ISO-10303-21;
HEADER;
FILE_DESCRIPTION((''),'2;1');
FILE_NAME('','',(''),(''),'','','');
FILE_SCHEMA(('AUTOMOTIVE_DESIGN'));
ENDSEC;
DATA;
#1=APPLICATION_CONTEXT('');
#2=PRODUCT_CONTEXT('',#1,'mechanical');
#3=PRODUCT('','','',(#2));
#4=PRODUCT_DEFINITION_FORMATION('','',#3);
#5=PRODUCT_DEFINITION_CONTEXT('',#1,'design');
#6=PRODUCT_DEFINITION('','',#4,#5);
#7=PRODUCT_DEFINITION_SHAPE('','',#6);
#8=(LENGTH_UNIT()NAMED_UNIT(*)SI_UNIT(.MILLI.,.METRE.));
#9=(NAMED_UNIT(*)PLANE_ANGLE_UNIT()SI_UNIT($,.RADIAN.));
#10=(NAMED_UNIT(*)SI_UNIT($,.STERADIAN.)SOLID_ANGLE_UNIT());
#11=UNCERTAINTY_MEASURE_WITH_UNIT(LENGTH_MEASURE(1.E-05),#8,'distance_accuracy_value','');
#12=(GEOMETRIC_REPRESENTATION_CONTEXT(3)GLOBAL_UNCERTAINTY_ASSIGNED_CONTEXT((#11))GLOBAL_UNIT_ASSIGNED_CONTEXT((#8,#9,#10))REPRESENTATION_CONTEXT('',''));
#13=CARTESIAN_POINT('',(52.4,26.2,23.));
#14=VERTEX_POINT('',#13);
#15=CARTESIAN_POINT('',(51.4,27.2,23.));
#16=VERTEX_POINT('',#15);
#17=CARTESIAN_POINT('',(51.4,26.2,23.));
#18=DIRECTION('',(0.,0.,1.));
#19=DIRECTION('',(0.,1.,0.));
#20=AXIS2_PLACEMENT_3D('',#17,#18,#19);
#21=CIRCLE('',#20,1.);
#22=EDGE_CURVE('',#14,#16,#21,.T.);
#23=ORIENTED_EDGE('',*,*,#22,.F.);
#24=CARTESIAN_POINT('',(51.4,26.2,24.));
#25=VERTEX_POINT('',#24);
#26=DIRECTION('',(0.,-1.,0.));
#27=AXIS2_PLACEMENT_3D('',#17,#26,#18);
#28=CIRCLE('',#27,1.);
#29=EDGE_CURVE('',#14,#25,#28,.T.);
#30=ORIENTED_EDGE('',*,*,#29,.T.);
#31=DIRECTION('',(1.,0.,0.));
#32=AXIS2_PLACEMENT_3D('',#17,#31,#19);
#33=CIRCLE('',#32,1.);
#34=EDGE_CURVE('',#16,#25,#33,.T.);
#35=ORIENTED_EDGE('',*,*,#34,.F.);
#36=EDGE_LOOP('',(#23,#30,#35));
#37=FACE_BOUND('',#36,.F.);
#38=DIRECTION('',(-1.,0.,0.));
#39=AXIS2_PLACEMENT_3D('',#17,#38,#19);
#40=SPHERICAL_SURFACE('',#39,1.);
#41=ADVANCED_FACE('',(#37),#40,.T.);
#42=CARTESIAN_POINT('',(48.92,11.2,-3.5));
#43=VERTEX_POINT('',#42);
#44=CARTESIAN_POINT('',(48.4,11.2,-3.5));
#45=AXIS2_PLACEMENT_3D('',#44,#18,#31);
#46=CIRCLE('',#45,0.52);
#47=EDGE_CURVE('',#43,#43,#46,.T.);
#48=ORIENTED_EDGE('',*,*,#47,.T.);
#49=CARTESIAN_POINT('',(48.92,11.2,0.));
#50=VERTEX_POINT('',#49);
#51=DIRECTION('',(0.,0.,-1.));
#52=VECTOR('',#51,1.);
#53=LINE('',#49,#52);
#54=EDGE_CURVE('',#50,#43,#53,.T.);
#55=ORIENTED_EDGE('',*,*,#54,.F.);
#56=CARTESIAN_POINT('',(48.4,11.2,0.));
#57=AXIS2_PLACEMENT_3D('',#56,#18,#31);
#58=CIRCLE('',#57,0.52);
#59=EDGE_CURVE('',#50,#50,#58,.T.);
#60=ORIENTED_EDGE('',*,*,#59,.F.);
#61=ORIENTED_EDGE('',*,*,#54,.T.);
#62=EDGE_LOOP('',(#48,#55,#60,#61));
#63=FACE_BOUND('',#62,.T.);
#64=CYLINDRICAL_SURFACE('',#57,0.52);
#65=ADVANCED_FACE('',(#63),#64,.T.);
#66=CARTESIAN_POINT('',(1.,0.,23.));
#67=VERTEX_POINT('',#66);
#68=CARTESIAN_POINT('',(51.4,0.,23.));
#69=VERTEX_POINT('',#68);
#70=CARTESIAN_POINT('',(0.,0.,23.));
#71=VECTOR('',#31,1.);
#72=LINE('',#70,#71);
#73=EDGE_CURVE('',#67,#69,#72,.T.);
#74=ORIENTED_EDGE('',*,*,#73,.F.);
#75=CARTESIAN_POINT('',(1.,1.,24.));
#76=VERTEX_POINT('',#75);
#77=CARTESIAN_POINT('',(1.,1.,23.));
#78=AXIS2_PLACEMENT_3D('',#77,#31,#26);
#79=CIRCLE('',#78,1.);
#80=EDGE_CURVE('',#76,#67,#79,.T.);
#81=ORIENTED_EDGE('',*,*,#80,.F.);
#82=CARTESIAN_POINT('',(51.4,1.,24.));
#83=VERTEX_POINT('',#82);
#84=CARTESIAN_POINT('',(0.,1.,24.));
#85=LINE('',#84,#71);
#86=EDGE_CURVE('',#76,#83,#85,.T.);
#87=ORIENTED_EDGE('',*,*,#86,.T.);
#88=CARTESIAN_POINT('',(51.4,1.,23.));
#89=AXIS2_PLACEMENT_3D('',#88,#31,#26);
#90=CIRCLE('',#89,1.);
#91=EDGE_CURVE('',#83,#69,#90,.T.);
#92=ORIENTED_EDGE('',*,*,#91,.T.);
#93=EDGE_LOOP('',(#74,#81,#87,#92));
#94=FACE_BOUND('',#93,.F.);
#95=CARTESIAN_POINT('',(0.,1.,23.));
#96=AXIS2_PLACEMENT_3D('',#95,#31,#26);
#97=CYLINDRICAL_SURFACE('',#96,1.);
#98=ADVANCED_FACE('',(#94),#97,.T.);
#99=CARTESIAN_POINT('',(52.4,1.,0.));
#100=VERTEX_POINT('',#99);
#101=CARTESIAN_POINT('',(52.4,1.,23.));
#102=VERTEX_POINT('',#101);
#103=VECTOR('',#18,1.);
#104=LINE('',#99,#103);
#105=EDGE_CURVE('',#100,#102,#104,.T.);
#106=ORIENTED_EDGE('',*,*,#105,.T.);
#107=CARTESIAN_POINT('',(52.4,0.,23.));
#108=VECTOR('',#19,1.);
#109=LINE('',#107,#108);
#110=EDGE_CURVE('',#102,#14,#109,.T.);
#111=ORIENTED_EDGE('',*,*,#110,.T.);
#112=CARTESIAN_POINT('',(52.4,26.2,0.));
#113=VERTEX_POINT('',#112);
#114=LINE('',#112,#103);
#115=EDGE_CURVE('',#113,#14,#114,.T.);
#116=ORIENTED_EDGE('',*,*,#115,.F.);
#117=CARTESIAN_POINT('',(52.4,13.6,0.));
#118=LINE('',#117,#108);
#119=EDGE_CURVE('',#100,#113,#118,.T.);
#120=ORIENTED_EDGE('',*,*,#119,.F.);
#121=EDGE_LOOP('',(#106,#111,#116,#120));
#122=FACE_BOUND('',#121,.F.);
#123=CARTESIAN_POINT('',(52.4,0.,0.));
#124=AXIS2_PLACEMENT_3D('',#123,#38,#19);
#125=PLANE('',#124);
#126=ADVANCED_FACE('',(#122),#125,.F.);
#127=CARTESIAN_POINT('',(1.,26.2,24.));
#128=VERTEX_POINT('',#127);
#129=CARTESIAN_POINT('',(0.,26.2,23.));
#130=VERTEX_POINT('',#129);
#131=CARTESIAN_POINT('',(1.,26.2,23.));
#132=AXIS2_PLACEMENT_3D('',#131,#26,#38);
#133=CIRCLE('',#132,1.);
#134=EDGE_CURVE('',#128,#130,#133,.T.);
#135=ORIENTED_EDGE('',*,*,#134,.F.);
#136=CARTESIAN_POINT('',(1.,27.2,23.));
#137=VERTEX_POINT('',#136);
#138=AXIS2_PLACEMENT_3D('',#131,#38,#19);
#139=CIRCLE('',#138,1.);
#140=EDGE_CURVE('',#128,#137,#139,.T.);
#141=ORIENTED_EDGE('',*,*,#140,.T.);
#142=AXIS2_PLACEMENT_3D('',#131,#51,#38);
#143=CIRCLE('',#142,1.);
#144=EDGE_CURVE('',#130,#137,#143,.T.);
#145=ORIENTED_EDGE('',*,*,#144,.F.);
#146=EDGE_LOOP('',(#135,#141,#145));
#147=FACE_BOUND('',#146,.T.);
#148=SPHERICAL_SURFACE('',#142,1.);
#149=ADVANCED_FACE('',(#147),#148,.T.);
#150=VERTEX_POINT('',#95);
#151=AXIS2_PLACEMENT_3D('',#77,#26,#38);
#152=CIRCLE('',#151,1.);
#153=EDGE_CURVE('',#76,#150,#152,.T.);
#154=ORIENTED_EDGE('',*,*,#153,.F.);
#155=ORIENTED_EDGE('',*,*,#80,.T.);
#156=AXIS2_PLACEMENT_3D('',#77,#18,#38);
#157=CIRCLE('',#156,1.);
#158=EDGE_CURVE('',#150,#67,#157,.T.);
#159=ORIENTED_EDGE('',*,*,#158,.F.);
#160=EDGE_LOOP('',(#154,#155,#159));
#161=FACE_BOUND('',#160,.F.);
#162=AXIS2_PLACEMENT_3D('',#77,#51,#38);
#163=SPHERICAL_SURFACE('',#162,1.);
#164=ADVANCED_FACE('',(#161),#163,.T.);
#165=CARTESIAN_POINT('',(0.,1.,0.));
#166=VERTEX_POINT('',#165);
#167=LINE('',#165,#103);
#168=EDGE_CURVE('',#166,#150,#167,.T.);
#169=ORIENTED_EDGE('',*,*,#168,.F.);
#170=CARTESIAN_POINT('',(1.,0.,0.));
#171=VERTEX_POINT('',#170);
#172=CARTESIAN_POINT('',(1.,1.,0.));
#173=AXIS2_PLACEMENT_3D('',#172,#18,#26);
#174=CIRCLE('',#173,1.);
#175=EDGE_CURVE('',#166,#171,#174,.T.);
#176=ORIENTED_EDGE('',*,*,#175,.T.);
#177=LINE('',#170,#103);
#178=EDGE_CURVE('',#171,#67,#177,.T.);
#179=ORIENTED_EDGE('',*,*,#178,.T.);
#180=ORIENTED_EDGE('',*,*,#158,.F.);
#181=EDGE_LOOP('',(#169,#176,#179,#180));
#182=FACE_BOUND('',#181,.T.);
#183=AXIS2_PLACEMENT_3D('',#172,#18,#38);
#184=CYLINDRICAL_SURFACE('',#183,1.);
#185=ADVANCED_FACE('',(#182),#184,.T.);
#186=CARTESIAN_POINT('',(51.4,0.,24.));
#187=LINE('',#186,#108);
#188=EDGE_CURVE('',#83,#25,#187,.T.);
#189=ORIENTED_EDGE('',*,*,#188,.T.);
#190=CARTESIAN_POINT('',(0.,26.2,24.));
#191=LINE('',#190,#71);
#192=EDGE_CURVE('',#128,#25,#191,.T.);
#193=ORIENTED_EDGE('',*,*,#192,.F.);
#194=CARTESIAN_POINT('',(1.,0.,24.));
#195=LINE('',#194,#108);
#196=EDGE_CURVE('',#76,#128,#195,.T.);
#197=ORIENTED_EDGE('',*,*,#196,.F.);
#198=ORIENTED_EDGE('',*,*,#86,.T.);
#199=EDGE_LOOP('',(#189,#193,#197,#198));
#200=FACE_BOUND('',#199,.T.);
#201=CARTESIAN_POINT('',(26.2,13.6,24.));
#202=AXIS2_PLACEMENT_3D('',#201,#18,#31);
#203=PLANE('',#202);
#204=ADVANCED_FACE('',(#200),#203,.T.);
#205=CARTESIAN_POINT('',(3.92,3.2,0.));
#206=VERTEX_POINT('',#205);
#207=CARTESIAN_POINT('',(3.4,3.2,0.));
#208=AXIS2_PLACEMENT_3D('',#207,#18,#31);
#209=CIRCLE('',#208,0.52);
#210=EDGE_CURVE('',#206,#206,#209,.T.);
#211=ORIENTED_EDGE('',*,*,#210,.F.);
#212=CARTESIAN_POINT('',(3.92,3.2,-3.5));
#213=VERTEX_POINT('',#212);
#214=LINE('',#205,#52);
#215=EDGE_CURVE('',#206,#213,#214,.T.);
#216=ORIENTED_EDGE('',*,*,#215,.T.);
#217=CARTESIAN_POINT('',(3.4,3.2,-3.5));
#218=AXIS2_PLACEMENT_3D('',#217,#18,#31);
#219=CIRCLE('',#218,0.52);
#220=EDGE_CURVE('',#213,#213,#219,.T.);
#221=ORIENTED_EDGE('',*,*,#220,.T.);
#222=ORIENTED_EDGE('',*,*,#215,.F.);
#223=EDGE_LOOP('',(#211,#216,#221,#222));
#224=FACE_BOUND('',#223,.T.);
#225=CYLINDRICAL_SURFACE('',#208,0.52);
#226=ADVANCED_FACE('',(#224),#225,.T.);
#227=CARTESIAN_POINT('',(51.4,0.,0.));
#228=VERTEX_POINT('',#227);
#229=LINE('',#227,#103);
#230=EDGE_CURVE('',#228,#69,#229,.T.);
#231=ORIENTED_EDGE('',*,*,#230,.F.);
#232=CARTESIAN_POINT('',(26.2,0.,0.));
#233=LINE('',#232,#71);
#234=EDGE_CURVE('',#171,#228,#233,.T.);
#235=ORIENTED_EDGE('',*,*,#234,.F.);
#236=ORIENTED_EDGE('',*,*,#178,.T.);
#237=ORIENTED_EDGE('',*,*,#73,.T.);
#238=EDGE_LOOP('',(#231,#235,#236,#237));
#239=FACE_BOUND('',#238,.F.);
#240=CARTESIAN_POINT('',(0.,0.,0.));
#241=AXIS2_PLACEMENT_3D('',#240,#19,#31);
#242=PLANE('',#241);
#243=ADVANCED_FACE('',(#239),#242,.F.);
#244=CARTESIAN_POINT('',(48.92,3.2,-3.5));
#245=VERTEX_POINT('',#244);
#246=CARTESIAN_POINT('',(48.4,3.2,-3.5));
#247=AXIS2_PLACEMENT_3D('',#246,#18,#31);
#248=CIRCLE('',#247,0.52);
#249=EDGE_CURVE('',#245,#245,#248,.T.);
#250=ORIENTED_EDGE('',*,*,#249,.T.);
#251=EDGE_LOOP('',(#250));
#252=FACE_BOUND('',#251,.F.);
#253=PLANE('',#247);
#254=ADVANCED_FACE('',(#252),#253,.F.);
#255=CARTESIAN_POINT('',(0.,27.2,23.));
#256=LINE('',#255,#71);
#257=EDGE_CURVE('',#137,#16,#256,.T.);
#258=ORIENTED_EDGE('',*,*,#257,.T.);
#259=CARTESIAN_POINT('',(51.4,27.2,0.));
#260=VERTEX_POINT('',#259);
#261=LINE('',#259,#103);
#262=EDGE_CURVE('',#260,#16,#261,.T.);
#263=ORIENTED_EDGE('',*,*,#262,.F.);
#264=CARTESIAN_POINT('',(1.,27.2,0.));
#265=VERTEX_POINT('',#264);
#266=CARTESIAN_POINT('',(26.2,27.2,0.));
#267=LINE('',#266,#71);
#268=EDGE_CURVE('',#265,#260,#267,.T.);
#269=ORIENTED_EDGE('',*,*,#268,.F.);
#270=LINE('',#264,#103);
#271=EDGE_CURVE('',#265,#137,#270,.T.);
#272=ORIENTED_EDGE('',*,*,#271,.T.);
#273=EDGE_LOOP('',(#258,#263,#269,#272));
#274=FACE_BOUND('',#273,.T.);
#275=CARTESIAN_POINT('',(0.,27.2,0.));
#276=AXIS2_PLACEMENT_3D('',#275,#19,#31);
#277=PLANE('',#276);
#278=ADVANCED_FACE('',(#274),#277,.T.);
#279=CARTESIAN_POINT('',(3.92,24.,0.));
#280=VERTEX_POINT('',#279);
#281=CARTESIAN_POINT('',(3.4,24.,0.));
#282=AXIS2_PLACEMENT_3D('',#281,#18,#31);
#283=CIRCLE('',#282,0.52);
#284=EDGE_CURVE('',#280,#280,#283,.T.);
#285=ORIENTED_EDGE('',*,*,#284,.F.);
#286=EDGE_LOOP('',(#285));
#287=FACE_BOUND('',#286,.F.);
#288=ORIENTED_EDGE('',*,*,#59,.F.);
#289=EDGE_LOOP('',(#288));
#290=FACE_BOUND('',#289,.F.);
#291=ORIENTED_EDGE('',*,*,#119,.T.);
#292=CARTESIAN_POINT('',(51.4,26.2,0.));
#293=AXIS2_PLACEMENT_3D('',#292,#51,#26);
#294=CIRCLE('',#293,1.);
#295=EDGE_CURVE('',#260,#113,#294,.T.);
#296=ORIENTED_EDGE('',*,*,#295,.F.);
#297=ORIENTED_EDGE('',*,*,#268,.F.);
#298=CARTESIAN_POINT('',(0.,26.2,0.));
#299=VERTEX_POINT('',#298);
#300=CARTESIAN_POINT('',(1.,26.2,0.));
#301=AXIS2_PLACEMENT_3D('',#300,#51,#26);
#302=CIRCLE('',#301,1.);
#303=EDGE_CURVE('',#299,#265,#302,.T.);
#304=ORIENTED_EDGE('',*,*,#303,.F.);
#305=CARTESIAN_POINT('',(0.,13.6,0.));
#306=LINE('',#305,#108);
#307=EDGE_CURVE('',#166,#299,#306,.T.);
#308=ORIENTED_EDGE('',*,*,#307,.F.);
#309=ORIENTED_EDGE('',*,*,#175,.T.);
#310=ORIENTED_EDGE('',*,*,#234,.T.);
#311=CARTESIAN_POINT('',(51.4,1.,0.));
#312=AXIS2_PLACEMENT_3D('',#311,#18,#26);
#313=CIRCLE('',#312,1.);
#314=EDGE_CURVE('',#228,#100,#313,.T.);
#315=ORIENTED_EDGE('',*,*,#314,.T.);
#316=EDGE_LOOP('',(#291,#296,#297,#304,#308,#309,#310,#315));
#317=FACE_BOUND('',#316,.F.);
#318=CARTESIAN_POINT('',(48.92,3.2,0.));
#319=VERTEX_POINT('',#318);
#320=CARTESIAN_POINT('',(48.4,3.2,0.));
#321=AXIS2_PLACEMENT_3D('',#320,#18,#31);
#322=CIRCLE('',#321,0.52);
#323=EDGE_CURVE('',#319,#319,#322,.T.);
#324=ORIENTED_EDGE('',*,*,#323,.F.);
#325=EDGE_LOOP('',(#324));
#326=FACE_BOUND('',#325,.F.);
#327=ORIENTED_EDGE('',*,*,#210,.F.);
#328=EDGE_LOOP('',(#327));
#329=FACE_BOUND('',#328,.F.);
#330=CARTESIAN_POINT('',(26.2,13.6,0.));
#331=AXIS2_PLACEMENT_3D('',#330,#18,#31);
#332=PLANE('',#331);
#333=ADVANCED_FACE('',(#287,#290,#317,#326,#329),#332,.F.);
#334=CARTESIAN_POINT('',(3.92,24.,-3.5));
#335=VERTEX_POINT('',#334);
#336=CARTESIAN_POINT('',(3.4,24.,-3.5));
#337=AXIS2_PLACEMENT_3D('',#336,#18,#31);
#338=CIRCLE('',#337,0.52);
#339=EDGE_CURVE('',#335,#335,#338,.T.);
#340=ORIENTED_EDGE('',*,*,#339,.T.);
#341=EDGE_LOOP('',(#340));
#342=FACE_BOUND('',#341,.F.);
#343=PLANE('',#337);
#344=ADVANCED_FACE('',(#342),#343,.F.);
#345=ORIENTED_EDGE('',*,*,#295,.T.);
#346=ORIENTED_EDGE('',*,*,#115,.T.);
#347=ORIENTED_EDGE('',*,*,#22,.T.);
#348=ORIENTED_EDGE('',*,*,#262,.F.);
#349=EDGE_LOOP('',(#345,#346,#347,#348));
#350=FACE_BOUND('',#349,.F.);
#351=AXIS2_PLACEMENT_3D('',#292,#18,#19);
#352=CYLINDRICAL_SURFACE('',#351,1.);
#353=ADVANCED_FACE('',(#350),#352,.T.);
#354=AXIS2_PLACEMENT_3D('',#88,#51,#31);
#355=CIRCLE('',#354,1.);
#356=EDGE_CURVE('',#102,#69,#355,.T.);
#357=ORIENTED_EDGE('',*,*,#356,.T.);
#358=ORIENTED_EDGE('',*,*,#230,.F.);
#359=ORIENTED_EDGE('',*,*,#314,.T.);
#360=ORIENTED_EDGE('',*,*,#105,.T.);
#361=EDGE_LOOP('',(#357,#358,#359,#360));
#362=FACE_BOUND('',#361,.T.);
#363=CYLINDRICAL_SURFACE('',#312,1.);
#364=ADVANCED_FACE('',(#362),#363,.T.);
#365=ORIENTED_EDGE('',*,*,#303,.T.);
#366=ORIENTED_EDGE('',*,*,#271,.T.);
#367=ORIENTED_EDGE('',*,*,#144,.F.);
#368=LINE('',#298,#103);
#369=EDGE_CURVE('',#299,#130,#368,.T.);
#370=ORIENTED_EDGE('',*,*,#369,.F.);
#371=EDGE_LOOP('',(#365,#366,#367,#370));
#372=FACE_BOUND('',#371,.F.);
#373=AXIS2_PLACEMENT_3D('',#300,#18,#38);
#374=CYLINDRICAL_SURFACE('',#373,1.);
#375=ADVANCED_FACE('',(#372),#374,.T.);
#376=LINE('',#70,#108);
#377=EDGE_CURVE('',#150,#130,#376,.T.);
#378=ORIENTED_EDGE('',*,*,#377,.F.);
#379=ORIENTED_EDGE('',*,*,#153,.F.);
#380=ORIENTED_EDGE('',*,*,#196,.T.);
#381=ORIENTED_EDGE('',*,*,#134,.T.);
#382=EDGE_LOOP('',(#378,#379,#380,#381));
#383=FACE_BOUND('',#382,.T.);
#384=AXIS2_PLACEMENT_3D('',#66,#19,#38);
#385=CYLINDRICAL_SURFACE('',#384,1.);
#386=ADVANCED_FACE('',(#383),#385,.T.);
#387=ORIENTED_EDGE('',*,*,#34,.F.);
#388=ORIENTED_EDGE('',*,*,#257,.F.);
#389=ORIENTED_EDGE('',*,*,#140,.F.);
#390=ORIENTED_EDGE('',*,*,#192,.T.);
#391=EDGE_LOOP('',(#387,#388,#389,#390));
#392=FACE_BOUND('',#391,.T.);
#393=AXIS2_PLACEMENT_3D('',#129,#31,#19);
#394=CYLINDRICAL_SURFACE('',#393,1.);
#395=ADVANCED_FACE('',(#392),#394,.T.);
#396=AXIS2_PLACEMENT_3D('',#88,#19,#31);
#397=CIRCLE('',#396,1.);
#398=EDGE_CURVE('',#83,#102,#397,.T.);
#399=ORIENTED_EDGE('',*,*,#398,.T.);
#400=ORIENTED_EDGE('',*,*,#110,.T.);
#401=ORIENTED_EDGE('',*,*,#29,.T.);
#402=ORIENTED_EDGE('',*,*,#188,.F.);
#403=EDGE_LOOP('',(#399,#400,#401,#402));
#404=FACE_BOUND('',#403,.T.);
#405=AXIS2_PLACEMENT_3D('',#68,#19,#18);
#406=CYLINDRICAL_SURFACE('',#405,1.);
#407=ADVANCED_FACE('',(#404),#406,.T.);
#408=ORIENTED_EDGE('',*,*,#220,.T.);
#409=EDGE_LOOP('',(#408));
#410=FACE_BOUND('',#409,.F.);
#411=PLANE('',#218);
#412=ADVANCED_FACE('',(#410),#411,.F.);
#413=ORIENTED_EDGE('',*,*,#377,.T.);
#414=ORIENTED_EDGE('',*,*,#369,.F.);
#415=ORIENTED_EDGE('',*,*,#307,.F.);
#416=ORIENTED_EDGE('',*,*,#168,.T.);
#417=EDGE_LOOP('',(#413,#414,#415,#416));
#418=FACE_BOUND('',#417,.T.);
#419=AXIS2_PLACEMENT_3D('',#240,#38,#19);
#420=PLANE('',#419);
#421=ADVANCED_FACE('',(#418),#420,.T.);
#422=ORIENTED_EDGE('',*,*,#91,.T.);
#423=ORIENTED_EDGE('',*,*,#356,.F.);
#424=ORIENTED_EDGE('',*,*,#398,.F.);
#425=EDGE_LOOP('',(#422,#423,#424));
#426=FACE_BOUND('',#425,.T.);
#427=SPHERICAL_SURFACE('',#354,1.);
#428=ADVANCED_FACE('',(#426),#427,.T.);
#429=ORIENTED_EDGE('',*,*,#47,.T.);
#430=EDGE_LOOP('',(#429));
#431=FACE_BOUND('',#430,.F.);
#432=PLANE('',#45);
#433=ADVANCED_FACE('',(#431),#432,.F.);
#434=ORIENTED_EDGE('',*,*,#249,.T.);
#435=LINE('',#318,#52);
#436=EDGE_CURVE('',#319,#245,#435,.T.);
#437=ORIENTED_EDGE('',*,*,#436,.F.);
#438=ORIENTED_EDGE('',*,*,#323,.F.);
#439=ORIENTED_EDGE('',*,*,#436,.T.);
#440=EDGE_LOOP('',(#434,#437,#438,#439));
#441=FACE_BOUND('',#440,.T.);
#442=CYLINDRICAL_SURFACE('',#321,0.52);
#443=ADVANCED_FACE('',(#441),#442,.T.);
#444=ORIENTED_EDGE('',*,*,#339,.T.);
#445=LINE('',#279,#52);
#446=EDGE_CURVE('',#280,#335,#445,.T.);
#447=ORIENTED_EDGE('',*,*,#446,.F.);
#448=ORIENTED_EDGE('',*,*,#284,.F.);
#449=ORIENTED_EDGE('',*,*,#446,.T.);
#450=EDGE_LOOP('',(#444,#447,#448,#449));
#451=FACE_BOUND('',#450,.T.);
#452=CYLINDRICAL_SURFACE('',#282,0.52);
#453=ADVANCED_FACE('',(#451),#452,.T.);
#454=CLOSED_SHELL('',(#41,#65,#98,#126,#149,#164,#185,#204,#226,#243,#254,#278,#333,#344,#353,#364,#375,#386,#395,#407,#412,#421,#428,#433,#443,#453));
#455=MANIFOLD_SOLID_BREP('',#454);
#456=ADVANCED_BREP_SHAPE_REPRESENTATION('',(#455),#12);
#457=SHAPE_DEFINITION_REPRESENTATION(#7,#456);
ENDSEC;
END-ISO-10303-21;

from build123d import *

# Parameters (mm, degrees)
F0_W     = 52.4
F0_H     = 27.2
F1_DEPTH = 24
F2_R     = 0.52
F3_DEPTH = 3.5
F4_R     = 1


with BuildPart() as f1:
    # F0 (on Top) → F1 (new body)
    with BuildSketch(Plane.XY):
        with Locations((26.2, 13.6)):
            Rectangle(F0_W, F0_H)
    extrude(amount=F1_DEPTH)

    # F2 (on Top) → F3 (join)
    with BuildSketch(Plane.XY):
        with Locations((3.4, 3.2)):
            Circle(F2_R)
        with Locations((3.4, 24)):
            Circle(F2_R)
        with Locations((48.4, 3.2)):
            Circle(F2_R)
        with Locations((48.4, 11.2)):
            Circle(F2_R)
    extrude(amount=-F3_DEPTH)

    # F4
    f4_edges = [f1.edges().sort_by_distance(p)[0] for p in [
        (0, 0, 12),
        (52.4, 0, 12),
        (0, 27.2, 12),
        (0, 13.6, 24),
        (26.2, 27.2, 24),
        (52.4, 27.2, 12),
        (52.4, 13.6, 24),
        (26.2, 0, 24),
    ]]
    fillet(f4_edges, radius=F4_R)


solid = f1.part
